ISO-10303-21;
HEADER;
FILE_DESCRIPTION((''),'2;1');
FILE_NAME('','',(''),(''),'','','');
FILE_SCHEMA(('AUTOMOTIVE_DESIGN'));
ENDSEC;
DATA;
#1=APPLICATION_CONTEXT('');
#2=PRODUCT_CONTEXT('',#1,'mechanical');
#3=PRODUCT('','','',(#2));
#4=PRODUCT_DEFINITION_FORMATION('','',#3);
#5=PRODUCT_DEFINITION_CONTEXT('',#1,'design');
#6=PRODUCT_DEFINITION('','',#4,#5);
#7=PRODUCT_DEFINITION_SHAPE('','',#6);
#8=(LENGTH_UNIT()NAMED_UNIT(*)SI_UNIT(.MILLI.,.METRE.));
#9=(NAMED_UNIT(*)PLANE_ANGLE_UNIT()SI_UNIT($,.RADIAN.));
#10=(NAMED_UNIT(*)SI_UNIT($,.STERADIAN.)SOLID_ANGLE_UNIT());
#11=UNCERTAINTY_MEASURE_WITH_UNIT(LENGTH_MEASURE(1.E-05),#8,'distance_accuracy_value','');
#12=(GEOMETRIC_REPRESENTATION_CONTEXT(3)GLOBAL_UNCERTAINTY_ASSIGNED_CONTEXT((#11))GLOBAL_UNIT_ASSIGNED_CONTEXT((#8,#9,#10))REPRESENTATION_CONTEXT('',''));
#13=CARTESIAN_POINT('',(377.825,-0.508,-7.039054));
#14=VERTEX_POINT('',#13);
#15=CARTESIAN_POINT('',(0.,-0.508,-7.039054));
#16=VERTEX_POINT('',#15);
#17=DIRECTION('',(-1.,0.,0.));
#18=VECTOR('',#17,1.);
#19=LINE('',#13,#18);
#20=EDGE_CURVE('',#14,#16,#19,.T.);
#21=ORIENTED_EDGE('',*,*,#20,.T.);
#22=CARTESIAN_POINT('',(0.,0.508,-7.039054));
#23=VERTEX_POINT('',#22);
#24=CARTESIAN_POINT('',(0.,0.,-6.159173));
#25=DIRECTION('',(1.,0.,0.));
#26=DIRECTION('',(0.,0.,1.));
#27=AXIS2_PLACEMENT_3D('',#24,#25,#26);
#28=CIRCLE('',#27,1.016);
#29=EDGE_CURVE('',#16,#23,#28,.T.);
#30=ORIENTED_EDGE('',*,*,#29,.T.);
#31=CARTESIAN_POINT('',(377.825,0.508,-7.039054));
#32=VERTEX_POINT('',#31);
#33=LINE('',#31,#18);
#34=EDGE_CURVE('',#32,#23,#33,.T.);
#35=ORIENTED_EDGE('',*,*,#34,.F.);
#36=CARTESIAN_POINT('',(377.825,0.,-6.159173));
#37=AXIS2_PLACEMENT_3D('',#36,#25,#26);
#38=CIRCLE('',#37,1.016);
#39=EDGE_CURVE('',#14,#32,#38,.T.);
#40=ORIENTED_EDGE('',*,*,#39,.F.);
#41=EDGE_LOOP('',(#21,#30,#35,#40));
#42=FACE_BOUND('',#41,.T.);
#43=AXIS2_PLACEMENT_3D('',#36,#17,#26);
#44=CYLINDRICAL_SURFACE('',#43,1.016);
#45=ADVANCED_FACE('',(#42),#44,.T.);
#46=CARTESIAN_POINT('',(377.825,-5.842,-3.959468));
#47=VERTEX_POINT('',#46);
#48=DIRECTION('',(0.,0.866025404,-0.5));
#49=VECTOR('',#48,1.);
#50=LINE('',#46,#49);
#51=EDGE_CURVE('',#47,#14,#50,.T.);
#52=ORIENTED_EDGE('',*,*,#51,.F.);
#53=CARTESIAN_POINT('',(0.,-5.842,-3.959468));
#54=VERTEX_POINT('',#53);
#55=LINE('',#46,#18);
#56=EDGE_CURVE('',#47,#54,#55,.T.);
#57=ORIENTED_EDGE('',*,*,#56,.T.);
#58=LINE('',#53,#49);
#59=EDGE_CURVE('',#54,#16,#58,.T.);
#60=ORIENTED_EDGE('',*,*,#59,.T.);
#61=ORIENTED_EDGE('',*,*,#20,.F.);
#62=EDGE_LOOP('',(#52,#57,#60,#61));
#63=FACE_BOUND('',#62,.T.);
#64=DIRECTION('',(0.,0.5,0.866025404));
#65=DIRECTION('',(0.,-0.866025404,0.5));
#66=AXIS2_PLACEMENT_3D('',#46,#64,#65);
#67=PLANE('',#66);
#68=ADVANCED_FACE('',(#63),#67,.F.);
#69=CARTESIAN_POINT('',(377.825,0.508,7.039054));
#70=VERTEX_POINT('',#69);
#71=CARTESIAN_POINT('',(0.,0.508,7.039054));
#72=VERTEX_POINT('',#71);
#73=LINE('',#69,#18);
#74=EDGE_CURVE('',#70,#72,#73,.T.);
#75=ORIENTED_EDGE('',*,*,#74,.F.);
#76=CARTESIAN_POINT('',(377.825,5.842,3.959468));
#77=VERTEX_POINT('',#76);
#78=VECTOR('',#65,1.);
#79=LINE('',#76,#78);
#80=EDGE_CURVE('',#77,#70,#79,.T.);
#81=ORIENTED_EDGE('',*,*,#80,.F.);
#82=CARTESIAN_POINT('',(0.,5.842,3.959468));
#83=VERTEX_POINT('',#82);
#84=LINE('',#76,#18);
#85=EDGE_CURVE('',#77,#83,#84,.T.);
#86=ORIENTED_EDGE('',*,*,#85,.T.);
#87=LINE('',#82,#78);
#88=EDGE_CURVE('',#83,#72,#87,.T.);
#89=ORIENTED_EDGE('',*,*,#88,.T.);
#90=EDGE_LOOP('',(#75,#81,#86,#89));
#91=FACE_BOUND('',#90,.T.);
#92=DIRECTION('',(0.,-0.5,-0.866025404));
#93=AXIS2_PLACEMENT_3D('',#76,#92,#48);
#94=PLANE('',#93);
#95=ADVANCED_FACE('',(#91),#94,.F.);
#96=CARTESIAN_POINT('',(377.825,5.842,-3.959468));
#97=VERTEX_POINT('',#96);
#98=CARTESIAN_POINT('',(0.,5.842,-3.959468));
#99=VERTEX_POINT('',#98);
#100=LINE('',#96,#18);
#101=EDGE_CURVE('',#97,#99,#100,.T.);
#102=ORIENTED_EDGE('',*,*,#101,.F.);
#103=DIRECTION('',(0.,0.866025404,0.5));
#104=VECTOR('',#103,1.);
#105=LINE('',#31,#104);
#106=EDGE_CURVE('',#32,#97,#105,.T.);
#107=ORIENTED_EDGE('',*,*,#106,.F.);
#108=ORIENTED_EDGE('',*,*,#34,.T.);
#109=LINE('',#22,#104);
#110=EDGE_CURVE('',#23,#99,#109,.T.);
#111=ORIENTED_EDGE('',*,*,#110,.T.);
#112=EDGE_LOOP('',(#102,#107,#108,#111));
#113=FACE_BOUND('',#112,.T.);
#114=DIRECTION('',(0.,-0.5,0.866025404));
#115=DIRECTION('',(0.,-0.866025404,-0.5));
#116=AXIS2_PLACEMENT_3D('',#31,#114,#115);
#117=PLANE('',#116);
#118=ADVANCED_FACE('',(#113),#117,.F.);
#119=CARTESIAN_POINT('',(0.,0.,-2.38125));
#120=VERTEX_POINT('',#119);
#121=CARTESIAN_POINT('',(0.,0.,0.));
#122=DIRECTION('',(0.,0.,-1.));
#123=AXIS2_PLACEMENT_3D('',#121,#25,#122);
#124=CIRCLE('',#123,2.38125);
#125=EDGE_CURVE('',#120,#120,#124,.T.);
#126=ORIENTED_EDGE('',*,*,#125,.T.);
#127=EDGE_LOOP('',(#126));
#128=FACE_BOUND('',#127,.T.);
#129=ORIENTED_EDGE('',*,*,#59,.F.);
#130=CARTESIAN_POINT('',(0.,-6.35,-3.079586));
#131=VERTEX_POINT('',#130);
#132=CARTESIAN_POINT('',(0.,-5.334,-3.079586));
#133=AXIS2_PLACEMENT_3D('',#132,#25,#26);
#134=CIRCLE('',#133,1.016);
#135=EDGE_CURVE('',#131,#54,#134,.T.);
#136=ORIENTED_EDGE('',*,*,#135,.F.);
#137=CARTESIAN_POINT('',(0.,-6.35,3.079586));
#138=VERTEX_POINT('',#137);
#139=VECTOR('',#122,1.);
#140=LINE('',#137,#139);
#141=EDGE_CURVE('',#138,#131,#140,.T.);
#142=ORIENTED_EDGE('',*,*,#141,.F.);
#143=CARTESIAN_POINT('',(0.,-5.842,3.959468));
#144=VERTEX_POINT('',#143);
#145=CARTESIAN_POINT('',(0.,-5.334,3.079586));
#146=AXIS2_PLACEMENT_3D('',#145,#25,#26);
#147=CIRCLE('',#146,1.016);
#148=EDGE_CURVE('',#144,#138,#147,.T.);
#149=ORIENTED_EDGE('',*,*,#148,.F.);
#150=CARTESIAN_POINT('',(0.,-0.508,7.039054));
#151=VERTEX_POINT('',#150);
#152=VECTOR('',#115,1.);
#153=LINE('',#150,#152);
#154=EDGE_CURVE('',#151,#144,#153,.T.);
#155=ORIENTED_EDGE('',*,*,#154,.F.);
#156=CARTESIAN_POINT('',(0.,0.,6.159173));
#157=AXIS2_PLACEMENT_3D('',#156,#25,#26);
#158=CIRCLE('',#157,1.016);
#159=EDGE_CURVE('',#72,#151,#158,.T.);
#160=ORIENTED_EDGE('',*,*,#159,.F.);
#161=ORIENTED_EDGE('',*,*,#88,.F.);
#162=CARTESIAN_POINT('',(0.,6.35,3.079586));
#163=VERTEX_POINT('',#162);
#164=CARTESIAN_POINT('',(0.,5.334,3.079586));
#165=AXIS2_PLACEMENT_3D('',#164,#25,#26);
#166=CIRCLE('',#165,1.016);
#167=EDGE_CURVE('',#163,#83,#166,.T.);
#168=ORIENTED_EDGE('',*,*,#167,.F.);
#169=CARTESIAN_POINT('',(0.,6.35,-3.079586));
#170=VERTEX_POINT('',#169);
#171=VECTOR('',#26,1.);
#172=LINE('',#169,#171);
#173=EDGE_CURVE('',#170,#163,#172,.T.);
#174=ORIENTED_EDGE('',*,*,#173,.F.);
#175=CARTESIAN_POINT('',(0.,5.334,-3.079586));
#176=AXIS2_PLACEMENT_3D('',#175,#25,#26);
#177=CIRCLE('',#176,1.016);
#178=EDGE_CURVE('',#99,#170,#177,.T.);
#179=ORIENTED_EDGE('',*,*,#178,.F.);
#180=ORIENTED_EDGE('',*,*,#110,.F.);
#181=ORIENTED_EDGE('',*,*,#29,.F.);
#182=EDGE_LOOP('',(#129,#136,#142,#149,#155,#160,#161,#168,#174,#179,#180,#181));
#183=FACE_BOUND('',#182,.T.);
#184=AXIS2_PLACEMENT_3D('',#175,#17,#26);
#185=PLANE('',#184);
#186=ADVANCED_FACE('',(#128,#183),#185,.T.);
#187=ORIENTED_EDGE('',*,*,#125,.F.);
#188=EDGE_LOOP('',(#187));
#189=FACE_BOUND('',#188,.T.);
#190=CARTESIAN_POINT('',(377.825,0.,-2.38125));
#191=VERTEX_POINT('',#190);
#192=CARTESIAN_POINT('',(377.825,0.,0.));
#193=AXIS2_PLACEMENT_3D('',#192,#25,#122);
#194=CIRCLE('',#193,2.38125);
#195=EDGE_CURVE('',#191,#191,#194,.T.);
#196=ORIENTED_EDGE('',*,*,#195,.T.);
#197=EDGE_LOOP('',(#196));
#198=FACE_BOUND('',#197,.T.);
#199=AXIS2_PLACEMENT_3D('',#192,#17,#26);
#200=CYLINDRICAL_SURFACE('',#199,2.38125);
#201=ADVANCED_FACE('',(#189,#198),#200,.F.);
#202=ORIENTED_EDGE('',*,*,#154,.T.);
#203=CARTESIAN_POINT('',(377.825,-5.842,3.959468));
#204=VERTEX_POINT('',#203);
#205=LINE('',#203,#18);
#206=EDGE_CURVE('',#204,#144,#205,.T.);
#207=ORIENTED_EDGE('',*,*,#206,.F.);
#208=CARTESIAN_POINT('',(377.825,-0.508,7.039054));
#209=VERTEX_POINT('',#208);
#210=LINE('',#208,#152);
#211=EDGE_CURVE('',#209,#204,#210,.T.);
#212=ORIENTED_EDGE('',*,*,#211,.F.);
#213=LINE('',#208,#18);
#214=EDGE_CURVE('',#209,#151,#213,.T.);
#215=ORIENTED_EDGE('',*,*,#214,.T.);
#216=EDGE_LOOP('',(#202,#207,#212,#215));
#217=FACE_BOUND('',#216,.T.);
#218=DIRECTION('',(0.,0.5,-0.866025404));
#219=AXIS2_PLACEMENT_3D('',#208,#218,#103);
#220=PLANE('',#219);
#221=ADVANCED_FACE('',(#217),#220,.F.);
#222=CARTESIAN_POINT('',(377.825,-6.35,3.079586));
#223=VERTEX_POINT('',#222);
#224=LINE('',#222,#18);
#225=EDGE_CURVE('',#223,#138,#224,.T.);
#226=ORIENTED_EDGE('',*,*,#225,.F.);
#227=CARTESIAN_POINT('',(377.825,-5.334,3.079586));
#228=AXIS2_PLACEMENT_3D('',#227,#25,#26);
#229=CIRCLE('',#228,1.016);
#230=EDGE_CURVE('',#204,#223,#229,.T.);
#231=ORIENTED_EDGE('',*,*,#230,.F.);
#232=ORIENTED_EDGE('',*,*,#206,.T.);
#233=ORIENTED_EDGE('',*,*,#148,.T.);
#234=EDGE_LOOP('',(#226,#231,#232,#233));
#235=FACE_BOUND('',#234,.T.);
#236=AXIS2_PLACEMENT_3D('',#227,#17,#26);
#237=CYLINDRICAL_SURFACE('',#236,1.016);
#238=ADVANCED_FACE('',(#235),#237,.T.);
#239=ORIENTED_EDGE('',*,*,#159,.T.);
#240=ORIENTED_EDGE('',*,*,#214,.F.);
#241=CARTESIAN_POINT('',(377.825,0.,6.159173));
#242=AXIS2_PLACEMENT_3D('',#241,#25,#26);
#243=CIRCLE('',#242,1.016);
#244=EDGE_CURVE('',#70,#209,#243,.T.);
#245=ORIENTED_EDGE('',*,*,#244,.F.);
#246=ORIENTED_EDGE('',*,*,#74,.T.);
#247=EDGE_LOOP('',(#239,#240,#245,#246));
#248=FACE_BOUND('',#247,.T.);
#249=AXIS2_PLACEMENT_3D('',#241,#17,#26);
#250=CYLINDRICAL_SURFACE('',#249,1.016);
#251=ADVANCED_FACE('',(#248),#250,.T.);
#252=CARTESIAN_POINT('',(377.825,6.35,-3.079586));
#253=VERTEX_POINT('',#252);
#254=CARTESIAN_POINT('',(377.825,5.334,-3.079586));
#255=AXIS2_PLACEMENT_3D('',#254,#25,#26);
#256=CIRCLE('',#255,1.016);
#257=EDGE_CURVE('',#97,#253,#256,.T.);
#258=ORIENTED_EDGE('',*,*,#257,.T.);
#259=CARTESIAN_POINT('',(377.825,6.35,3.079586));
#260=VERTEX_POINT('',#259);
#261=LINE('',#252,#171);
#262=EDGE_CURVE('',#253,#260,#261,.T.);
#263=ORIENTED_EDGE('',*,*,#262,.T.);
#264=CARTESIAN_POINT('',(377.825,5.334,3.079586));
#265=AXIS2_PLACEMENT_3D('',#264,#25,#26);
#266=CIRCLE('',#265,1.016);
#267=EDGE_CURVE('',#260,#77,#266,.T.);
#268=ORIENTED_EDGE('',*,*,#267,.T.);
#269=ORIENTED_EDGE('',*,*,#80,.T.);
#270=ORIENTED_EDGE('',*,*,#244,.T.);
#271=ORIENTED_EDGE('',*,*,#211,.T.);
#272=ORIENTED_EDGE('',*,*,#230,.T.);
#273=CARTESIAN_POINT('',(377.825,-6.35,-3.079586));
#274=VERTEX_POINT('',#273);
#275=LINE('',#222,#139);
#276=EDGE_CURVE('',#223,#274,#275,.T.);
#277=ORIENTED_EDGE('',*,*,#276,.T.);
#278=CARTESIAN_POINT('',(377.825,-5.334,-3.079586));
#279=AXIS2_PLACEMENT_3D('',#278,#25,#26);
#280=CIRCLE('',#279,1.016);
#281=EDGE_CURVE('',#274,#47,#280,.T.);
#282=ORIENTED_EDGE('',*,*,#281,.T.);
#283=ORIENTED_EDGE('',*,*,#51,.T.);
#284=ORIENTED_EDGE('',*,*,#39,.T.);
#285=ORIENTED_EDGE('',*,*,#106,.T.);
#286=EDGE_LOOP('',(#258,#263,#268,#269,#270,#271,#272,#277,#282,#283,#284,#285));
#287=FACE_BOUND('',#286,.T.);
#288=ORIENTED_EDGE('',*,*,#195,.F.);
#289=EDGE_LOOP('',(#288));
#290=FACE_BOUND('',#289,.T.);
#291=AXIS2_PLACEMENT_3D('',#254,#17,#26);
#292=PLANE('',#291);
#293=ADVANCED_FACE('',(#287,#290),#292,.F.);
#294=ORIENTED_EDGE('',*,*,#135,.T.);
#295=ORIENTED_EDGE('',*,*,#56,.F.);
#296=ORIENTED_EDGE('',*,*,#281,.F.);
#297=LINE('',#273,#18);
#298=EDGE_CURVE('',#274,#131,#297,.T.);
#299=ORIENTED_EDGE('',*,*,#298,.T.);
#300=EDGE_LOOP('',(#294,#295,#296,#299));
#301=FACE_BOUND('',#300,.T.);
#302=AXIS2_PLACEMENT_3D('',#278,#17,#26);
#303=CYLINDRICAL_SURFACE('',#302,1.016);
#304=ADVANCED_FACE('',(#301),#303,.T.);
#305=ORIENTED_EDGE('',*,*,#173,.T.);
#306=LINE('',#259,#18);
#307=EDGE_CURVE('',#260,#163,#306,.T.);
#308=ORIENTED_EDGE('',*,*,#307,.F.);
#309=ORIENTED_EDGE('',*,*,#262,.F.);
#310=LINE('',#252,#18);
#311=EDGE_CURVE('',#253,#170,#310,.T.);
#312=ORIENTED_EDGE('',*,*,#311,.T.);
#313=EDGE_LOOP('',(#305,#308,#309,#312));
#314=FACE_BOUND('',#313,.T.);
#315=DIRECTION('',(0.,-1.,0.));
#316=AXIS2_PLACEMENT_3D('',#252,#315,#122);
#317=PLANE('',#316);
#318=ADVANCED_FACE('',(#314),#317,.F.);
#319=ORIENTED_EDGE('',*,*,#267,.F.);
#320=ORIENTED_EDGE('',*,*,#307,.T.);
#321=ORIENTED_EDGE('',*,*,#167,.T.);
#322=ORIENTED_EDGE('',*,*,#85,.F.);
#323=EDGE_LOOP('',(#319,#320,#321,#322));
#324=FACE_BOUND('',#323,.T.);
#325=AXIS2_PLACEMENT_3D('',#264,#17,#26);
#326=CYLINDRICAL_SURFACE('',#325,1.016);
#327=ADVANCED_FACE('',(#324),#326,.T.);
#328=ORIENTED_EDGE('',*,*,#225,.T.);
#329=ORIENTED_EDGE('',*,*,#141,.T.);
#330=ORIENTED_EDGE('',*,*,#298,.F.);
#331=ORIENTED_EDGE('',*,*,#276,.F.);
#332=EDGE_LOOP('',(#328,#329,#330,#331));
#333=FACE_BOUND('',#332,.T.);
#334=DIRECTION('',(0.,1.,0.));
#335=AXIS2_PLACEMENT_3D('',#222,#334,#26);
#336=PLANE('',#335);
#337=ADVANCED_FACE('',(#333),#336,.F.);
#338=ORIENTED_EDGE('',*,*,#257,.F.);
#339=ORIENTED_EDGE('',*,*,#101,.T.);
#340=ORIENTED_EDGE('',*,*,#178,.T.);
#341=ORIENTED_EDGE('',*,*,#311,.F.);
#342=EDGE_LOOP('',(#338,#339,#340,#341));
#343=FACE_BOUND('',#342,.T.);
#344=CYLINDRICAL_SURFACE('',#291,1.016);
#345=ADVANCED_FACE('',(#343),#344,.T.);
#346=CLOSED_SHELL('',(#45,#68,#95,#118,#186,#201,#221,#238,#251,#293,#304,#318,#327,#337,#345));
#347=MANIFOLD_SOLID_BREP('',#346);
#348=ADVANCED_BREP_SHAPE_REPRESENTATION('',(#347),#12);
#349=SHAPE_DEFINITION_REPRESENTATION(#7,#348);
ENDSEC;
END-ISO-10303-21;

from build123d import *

# Parameters (mm, degrees)
SKETCH1_R           = 2.38125
BOSS_EXTRUDE1_DEPTH = 377.825


with BuildPart() as part:
    # Sketch1 → Boss-Extrude1 (new body)
    with BuildSketch(Plane(origin=(0, 0, 0), x_dir=(0, 0, -1), z_dir=(1, 0, 0))):
        with BuildLine():
            Line((7.039054482, 0.508), (3.959468146, 5.842))
            ThreePointArc((3.959468146, 5.842), (3.587586336, 6.21388181), (3.079586336, 6.35))
            Line((3.079586336, 6.35), (-3.079586336, 6.35))
            ThreePointArc((-3.079586336, 6.35), (-3.587586336, 6.21388181), (-3.959468146, 5.842))
            Line((-3.959468146, 5.842), (-7.039054482, 0.508))
            ThreePointArc((-7.039054482, 0.508), (-7.175172672, 0), (-7.039054482, -0.508))
            Line((-7.039054482, -0.508), (-3.959468146, -5.842))
            ThreePointArc((-3.959468146, -5.842), (-3.587586336, -6.21388181), (-3.079586336, -6.35))
            Line((-3.079586336, -6.35), (3.079586336, -6.35))
            ThreePointArc((3.079586336, -6.35), (3.587586336, -6.21388181), (3.959468146, -5.842))
            Line((3.959468146, -5.842), (7.039054482, -0.508))
            ThreePointArc((7.039054482, -0.508), (7.175172672, 0), (7.039054482, 0.508))
        make_face()
        Circle(SKETCH1_R, mode=Mode.SUBTRACT)
    extrude(amount=BOSS_EXTRUDE1_DEPTH)


solid = part.part
